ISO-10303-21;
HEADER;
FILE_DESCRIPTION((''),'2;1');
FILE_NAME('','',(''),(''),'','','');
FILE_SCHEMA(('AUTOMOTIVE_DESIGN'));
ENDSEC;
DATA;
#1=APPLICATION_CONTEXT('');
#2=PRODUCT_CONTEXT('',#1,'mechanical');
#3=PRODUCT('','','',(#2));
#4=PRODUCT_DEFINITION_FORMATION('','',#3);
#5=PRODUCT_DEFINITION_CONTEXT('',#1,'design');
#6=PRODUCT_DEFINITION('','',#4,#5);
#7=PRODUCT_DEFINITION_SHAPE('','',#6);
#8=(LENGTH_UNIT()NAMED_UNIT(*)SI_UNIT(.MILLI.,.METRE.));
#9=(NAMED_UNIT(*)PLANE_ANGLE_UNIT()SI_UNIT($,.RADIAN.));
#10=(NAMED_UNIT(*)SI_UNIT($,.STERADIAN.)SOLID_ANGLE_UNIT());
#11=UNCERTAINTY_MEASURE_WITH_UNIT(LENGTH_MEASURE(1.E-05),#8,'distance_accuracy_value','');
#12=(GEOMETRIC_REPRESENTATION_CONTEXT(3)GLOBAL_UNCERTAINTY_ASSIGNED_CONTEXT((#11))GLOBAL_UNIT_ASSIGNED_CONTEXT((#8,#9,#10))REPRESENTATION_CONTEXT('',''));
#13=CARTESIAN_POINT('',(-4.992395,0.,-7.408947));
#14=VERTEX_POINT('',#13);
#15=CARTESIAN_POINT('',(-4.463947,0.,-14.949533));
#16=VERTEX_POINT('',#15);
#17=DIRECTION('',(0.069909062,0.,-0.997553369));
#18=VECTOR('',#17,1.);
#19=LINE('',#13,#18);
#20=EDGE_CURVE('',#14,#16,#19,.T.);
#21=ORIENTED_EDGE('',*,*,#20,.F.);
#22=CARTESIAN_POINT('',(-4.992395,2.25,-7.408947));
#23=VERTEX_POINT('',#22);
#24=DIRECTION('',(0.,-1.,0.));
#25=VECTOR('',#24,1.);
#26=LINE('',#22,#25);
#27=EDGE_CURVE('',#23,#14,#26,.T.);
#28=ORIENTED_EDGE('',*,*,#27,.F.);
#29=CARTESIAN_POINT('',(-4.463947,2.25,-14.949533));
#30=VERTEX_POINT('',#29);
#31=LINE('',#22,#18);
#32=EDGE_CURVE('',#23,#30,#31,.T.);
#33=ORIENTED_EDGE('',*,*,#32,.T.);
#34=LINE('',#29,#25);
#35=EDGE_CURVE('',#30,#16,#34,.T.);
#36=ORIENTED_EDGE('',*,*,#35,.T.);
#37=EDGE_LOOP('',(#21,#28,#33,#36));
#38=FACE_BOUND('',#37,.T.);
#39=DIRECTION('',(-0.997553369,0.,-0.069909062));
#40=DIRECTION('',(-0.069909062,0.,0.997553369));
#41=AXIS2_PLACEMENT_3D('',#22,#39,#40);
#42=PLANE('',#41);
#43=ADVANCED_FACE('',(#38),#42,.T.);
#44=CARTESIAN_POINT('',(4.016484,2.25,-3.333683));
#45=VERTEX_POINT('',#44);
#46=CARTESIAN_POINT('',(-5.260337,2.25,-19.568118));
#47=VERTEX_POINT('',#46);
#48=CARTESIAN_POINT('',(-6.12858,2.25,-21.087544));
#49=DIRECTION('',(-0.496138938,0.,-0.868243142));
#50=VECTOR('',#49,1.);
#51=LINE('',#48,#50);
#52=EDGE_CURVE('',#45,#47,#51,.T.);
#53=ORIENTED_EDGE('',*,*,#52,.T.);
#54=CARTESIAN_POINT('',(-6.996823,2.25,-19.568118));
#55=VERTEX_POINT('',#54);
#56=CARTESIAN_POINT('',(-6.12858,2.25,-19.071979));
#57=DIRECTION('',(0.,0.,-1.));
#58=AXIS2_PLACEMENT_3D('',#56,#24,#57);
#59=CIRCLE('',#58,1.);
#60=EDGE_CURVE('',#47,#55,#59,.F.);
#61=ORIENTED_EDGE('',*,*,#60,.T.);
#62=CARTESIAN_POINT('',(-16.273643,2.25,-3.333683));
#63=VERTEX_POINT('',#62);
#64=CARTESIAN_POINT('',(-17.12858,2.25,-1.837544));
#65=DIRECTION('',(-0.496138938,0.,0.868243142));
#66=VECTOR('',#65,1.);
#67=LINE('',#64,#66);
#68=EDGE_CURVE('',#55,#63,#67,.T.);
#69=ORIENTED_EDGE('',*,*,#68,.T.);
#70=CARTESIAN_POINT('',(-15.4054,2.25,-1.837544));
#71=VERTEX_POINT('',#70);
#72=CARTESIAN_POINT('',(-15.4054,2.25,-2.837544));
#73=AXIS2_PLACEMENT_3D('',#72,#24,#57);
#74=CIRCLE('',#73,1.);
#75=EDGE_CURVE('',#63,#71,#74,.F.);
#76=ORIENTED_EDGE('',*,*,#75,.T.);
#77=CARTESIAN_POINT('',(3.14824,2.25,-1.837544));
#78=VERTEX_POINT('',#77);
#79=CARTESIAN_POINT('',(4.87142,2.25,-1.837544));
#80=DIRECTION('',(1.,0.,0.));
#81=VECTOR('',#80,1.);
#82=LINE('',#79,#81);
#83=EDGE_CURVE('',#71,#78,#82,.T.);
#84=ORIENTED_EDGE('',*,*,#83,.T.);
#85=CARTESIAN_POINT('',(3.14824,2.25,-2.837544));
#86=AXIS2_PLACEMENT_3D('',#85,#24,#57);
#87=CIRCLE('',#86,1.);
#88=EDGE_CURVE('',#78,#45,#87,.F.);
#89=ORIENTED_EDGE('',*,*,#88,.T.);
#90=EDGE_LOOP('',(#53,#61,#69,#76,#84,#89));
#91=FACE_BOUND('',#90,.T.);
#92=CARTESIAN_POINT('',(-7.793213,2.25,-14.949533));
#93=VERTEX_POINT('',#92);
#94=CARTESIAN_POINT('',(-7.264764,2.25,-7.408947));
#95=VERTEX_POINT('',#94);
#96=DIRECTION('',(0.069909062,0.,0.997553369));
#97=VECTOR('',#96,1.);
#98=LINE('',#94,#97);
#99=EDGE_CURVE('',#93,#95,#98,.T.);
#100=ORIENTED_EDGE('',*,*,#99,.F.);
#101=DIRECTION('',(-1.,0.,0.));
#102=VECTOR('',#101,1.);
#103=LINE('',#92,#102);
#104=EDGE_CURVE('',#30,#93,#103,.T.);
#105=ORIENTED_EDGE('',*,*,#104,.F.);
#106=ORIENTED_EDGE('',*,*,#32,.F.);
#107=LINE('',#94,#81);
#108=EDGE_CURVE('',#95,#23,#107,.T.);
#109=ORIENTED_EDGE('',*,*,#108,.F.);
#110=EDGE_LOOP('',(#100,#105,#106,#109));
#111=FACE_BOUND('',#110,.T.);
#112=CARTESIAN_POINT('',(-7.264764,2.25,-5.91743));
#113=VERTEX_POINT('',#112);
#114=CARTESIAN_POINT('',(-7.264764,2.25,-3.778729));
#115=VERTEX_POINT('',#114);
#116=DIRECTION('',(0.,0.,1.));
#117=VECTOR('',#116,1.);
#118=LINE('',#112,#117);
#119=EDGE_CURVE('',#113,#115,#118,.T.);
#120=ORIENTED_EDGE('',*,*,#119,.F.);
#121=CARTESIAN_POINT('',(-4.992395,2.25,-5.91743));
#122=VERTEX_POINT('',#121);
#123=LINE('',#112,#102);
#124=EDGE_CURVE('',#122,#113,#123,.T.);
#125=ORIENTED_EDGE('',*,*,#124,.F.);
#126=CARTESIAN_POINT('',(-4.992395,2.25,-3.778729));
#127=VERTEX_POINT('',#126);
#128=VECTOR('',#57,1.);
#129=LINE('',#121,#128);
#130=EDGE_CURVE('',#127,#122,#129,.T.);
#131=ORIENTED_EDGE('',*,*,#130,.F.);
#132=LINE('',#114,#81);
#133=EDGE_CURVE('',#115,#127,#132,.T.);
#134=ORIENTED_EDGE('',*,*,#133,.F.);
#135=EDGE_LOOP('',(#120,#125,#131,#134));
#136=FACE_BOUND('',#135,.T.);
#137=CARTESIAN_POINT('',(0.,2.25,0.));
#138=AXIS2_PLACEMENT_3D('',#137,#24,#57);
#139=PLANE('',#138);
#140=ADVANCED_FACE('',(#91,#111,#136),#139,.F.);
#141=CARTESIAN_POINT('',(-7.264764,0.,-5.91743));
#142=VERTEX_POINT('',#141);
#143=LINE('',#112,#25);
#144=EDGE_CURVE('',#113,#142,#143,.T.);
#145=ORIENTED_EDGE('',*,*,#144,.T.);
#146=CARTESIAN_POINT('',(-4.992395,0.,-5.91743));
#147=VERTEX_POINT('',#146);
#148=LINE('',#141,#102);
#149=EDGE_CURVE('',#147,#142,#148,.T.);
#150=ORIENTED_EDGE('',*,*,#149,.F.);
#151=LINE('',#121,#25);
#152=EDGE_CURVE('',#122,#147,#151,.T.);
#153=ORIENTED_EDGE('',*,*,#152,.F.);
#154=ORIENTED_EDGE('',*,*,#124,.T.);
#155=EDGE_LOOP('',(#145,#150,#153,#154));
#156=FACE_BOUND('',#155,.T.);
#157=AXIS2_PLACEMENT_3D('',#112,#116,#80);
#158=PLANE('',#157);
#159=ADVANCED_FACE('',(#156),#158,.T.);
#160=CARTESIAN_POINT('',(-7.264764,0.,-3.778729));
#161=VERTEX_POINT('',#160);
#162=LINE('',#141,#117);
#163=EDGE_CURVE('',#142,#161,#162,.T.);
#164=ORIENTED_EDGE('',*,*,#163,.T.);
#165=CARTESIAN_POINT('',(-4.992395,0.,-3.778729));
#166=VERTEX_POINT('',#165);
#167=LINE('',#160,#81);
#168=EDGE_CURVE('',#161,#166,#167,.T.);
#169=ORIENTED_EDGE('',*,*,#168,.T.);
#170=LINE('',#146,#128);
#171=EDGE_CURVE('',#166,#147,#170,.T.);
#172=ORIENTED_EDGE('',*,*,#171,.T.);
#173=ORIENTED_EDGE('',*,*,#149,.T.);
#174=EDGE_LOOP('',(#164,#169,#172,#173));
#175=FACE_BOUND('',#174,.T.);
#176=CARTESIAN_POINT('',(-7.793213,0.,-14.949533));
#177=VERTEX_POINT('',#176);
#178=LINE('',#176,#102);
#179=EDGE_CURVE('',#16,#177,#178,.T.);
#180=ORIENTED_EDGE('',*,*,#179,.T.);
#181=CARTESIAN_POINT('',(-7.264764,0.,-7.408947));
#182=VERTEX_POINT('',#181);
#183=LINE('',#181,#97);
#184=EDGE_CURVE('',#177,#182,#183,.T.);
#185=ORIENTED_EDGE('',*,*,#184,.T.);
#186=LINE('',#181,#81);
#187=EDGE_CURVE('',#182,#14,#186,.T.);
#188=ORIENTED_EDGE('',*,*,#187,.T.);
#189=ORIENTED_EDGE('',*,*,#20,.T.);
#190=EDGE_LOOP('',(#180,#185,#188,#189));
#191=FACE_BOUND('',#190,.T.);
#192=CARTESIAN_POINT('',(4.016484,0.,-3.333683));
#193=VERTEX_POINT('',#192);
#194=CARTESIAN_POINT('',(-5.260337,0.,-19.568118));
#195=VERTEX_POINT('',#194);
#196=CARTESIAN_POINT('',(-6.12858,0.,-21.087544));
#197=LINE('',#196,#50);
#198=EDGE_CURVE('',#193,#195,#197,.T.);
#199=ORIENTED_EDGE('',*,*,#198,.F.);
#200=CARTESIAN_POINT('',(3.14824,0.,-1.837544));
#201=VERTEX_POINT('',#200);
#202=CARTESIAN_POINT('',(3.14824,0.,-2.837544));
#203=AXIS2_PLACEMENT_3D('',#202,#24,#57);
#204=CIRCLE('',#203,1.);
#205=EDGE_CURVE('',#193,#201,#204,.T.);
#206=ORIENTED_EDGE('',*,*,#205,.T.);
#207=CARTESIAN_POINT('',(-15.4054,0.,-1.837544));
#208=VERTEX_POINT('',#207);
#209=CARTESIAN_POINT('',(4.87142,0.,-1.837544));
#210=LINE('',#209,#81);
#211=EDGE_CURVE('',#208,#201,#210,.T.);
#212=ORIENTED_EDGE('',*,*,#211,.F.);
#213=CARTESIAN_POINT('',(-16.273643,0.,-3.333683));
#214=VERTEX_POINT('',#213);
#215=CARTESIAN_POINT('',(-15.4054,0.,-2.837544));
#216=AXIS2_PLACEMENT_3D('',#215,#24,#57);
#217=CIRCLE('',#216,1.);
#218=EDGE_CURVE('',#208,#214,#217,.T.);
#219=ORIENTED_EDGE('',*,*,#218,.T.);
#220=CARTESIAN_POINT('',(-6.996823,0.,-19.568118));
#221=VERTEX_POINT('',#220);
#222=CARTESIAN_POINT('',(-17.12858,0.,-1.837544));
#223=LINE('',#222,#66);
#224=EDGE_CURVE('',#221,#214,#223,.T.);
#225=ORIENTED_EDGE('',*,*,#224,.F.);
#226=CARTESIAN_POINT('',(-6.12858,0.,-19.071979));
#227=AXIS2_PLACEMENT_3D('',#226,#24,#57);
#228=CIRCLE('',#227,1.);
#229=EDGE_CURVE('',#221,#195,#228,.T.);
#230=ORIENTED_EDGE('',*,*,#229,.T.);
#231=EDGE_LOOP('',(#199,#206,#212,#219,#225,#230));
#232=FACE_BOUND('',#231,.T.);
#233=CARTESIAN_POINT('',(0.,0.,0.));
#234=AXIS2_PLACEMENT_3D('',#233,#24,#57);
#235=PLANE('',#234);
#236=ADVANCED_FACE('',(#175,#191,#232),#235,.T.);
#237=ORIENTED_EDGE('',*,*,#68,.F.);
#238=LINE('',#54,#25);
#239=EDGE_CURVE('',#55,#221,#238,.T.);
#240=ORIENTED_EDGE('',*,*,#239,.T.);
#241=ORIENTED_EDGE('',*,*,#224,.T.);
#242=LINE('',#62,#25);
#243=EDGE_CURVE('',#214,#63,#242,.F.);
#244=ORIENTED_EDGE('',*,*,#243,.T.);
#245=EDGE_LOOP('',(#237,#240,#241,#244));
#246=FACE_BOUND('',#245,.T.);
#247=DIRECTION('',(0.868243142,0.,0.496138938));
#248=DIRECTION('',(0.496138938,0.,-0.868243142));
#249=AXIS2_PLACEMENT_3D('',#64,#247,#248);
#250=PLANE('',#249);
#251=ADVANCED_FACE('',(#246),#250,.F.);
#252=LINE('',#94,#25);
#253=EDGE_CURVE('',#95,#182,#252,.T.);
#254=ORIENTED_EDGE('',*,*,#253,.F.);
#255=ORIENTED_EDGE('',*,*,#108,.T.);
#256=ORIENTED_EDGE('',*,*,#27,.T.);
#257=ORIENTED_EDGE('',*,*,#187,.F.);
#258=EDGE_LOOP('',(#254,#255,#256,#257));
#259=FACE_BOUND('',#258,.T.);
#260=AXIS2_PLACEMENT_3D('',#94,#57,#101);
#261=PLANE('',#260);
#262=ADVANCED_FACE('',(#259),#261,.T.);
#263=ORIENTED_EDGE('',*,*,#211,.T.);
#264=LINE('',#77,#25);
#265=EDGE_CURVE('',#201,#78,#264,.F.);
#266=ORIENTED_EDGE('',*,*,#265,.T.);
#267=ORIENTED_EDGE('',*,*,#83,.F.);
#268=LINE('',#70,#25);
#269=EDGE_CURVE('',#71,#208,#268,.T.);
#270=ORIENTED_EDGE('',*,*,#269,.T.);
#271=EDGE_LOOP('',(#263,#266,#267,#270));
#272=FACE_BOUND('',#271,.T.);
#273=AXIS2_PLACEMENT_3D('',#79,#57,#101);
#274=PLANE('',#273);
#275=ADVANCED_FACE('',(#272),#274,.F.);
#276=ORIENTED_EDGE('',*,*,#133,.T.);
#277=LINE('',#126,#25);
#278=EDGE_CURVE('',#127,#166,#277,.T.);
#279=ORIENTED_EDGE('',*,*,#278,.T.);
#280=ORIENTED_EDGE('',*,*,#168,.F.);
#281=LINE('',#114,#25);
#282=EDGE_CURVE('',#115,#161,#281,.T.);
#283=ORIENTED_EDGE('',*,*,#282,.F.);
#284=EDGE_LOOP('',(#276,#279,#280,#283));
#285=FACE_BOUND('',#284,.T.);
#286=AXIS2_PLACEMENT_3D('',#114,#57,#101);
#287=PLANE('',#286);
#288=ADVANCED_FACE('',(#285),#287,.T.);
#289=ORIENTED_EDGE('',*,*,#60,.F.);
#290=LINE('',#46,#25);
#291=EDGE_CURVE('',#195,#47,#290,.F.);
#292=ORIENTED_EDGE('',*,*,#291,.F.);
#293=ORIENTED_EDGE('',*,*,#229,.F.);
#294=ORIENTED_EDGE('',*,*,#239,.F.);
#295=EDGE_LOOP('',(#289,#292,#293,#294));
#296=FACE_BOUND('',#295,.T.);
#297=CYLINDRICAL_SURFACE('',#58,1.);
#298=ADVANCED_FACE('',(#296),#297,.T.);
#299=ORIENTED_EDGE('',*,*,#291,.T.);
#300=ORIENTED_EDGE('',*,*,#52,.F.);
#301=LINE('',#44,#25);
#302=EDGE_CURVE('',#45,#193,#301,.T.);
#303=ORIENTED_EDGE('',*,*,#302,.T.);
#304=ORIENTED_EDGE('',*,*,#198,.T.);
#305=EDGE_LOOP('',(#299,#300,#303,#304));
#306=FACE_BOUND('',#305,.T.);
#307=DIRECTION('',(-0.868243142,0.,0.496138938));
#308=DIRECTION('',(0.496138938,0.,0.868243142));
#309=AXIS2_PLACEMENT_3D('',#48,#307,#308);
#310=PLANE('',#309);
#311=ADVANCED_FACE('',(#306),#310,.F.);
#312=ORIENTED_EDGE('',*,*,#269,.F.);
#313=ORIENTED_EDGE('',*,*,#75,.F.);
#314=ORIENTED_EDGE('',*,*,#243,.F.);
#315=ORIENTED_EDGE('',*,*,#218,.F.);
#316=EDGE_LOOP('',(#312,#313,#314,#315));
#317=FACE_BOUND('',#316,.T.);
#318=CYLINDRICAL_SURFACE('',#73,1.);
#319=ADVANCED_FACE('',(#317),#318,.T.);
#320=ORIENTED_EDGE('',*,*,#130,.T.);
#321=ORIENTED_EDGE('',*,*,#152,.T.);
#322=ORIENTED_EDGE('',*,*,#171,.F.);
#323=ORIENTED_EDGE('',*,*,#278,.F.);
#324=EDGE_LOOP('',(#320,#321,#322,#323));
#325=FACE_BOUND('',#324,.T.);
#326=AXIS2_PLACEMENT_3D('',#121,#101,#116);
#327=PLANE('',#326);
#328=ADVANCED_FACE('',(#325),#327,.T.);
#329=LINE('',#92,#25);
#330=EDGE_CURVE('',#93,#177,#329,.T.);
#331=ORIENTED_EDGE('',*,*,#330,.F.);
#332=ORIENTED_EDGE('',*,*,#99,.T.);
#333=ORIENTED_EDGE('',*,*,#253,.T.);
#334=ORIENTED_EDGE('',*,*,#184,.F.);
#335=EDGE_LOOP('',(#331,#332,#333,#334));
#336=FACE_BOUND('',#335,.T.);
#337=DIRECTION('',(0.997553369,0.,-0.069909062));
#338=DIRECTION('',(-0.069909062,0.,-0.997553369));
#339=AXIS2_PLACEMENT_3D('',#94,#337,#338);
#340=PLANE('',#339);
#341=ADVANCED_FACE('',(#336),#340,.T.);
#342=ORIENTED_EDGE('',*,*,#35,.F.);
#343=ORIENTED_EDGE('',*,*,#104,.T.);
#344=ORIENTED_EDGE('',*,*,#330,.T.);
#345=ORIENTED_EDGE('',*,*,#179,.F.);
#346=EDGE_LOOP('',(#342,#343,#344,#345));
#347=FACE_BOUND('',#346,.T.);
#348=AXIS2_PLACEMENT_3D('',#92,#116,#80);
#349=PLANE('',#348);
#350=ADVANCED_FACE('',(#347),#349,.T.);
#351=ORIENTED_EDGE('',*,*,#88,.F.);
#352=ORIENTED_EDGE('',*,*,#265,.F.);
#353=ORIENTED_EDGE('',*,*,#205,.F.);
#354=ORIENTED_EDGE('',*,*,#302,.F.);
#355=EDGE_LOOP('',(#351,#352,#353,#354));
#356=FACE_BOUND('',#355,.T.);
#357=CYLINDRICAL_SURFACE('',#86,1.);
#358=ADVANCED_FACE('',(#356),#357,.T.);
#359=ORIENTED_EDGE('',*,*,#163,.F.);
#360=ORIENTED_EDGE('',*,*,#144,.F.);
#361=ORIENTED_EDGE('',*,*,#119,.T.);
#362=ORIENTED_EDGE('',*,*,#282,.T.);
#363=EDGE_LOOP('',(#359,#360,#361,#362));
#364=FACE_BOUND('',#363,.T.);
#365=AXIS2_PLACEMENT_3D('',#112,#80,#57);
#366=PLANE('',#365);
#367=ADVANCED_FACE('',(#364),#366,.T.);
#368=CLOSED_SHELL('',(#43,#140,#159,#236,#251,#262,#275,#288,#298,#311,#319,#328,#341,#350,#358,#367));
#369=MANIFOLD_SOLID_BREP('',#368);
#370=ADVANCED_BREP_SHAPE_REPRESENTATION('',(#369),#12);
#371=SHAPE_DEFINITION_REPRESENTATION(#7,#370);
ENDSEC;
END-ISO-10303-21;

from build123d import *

# Parameters (mm, degrees)
SKETCH1_W           = 2.272369049
SKETCH1_H           = 2.138700281
BOSS_EXTRUDE1_DEPTH = 2.25
FILLET1_R           = 1


with BuildPart() as part:
    # Sketch1 → Boss-Extrude1 (new body)
    with BuildSketch(Plane(origin=(0, 0, 0), x_dir=(1, 0, 0), z_dir=(0, 1, 0))):
        Polygon((-17.128579952, 1.837543865), (-6.128579952, 21.087543865), (4.871420048, 1.837543865), align=None)
        Polygon((-7.264764476, 7.408947213), (-4.992395427, 7.408947213), (-4.463947201, 14.949533453), (-7.793212702, 14.949533453), align=None, mode=Mode.SUBTRACT)
        with Locations((-6.128579952, 4.848079389)):
            Rectangle(SKETCH1_W, SKETCH1_H, mode=Mode.SUBTRACT)
    extrude(amount=BOSS_EXTRUDE1_DEPTH)

    # Fillet1
    fillet1_edges = [part.edges().sort_by_distance(p)[0] for p in [
        (-17.128579952, 1.125, -1.837543865),
        (-6.128579952, 1.125, -21.087543865),
        (4.871420048, 1.125, -1.837543865),
    ]]
    fillet(fillet1_edges, radius=FILLET1_R)


solid = part.part
